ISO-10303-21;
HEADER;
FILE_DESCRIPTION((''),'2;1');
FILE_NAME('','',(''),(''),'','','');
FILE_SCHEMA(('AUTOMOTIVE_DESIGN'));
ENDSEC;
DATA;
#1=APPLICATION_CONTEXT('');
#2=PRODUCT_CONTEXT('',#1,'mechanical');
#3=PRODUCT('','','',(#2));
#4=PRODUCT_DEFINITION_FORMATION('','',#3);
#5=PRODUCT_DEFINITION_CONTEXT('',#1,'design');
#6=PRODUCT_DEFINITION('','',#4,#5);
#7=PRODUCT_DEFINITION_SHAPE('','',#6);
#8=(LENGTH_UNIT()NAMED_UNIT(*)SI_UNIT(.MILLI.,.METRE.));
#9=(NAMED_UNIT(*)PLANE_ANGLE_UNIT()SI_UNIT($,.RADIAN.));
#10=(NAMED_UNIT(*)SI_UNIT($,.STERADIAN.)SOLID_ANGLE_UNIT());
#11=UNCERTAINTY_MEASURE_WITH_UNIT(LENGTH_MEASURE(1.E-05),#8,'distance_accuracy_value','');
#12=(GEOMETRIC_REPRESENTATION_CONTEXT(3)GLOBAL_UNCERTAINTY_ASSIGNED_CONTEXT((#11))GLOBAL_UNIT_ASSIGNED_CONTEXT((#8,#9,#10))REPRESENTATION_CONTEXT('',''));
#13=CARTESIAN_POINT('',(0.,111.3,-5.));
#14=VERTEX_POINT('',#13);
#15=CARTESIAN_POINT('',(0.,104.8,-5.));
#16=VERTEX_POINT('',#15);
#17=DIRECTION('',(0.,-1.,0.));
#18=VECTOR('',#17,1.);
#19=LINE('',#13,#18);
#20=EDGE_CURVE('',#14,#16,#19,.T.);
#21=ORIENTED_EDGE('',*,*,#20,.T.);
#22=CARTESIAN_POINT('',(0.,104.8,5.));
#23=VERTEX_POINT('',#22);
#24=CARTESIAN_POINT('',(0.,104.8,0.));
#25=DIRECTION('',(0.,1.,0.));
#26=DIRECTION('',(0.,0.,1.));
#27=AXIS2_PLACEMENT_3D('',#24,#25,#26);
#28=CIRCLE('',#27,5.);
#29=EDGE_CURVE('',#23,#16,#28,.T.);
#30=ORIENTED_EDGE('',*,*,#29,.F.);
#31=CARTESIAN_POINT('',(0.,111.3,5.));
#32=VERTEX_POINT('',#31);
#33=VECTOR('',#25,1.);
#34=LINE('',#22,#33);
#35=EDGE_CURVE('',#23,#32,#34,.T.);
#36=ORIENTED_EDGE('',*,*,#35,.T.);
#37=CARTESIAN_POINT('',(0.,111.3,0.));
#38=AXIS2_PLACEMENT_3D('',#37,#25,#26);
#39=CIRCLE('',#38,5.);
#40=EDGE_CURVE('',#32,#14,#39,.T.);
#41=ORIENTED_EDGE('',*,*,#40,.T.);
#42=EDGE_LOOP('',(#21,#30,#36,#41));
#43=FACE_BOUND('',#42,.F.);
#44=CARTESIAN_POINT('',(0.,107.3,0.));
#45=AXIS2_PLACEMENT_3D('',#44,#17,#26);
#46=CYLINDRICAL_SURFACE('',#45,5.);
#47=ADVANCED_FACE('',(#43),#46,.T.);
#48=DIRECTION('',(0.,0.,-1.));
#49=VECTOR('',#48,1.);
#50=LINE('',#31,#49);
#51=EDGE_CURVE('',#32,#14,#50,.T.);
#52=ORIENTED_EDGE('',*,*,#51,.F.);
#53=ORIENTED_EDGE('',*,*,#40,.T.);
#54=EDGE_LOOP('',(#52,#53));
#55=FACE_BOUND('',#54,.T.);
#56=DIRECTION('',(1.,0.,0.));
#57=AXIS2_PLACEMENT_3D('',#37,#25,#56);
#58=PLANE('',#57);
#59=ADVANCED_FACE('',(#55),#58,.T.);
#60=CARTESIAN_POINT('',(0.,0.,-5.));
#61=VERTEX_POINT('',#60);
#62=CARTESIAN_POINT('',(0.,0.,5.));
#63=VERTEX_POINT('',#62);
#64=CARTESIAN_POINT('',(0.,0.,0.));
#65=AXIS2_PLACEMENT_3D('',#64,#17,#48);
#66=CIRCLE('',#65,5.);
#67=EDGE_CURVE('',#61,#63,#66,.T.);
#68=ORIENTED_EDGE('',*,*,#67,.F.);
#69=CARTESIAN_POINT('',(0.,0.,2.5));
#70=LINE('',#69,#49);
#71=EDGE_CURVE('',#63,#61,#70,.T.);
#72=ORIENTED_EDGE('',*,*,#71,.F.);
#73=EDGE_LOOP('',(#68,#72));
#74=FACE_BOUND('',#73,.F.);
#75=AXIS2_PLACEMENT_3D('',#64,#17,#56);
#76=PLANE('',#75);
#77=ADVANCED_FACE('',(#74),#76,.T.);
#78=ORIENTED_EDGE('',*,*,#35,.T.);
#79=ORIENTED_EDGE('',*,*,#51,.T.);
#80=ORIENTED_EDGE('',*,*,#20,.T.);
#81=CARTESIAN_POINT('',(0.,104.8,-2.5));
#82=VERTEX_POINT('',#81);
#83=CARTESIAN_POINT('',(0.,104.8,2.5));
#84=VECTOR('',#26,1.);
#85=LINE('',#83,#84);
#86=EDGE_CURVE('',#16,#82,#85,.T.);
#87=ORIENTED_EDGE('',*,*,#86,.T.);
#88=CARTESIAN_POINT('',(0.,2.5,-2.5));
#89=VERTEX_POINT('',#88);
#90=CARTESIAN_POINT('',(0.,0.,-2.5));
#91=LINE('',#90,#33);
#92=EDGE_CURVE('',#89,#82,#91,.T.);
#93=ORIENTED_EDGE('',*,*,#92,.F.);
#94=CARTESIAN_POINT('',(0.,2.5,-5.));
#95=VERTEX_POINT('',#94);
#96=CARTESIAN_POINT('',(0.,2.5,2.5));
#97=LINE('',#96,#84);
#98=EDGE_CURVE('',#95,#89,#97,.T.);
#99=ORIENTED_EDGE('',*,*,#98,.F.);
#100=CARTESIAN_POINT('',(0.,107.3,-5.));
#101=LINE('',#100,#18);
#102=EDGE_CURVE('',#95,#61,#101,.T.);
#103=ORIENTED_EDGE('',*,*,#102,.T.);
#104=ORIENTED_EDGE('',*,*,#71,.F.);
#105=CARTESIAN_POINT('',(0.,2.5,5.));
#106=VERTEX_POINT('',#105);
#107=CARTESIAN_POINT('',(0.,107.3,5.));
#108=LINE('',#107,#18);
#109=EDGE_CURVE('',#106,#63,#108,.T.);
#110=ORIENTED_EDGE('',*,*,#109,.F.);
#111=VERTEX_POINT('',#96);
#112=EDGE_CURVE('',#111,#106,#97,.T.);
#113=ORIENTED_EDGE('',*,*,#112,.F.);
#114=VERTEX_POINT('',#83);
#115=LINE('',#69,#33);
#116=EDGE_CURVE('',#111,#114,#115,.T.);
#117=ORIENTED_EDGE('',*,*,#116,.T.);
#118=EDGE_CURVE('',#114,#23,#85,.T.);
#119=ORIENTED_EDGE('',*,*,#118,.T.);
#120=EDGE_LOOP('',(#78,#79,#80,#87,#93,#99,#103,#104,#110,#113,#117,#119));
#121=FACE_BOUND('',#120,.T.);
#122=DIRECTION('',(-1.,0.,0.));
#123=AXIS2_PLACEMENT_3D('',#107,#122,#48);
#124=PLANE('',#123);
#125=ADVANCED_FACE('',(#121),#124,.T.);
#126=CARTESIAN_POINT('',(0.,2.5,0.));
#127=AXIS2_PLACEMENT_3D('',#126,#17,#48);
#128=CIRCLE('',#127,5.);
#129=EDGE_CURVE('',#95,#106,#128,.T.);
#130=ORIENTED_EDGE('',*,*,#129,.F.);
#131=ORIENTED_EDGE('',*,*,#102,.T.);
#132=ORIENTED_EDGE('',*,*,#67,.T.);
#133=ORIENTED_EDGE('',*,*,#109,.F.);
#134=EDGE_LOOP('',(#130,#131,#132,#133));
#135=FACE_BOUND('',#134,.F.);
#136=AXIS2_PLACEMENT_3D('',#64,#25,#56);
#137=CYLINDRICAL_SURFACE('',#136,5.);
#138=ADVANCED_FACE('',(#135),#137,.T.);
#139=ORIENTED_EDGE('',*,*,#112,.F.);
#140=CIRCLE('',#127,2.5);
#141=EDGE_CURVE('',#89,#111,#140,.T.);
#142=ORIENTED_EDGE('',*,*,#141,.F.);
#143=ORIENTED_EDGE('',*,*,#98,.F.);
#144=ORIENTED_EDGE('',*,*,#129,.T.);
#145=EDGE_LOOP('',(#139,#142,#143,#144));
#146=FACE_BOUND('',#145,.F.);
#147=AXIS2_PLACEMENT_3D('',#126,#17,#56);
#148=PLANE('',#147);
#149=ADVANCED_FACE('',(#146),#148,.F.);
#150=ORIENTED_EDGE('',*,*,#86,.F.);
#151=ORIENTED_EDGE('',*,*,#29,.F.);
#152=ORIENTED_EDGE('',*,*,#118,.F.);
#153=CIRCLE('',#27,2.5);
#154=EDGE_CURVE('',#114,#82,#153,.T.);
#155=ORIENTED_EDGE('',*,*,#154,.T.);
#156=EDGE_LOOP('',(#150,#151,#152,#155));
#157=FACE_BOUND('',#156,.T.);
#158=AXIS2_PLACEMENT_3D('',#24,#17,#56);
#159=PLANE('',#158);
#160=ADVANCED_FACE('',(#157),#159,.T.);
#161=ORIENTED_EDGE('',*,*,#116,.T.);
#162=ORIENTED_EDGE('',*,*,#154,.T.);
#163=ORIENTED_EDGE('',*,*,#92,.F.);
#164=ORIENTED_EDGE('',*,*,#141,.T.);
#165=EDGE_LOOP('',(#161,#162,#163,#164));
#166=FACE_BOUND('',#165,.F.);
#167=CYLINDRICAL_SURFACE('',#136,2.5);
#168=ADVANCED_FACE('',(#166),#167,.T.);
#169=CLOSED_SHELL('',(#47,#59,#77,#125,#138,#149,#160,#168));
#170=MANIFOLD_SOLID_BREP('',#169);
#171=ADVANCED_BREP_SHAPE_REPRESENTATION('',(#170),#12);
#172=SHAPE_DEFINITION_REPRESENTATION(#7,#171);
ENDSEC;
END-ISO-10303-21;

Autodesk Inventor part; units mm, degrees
ref_plane "YZ Plane" through (0, 0, 0) normal (1, 0, 0) x (0, 1, 0)
ref_plane "XZ Plane" through (0, 0, 0) normal (0, 1, 0) x (-1, 0, 0)
ref_plane "XY Plane" through (0, 0, 0) normal (0, 0, 1) x (1, 0, 0)
sketch "Sketch1" plane through (0, 0, 0) normal (0, 0, 1) x (1, 0, 0)
  line L0 (0, 0) -> (2.5, 0)
  line L1 (2.5, 0) -> (2.5, 107.3)
  line L2 (2.5, 107.3) -> (0, 107.3)
  line L3 (0, 107.3) -> (0, 0)
  line L4 (0, 107.3) -> (5, 107.3)
  line L5 (5, 107.3) -> (5, 104.8)
  line L6 (5, 104.8) -> (0, 104.8)
  line L7 (0, 104.8) -> (0, 107.3)
  line L8 (0, 0) -> (5, 0)
  line L9 (5, 0) -> (5, 2.5)
  line L10 (5, 2.5) -> (0, 2.5)
  line L11 (0, 2.5) -> (0, 0)
  point P0 (2.5, 2.5)
  point P1 (2.5, 104.8)
  dimension "d0" = 2.5
  dimension "d1" = 107.3
  dimension "d2" = 5
  dimension "d3" = 2.5
  dimension "d4" = 5
  dimension "d5" = 2.5
revolve "Revolution1" add sketch "Sketch1" angle 360 about axis through (0, 107.3, 0) along (0, -1, 0)
sketch "Sketch4" plane through (0, 107.3, 0) normal (0, 1, 0) x (1, 0, 0)
  circle A0 centre (0, 0) radius 5 projected
  line L0 (0, -5) -> (0, 5)
  arc A1 (0, 5) -> (0, -5) centre (0, 0) ccw
extrude "Extrusion3" cut sketch "Sketch4" against normal through all contours L0 A0 picked at (-0.7745, -1.4758)
sketch "Sketch5" plane through (0, 107.3, 0) normal (0, 1, 0) x (1, 0, 0)
  arc A0 (0, -5) -> (0, 5) centre (0, 0) ccw
  line L0 (0, -5) -> (0, 5)
extrude "Extrusion4" add sketch "Sketch5" along normal blind 4
properties part number "Rod"
